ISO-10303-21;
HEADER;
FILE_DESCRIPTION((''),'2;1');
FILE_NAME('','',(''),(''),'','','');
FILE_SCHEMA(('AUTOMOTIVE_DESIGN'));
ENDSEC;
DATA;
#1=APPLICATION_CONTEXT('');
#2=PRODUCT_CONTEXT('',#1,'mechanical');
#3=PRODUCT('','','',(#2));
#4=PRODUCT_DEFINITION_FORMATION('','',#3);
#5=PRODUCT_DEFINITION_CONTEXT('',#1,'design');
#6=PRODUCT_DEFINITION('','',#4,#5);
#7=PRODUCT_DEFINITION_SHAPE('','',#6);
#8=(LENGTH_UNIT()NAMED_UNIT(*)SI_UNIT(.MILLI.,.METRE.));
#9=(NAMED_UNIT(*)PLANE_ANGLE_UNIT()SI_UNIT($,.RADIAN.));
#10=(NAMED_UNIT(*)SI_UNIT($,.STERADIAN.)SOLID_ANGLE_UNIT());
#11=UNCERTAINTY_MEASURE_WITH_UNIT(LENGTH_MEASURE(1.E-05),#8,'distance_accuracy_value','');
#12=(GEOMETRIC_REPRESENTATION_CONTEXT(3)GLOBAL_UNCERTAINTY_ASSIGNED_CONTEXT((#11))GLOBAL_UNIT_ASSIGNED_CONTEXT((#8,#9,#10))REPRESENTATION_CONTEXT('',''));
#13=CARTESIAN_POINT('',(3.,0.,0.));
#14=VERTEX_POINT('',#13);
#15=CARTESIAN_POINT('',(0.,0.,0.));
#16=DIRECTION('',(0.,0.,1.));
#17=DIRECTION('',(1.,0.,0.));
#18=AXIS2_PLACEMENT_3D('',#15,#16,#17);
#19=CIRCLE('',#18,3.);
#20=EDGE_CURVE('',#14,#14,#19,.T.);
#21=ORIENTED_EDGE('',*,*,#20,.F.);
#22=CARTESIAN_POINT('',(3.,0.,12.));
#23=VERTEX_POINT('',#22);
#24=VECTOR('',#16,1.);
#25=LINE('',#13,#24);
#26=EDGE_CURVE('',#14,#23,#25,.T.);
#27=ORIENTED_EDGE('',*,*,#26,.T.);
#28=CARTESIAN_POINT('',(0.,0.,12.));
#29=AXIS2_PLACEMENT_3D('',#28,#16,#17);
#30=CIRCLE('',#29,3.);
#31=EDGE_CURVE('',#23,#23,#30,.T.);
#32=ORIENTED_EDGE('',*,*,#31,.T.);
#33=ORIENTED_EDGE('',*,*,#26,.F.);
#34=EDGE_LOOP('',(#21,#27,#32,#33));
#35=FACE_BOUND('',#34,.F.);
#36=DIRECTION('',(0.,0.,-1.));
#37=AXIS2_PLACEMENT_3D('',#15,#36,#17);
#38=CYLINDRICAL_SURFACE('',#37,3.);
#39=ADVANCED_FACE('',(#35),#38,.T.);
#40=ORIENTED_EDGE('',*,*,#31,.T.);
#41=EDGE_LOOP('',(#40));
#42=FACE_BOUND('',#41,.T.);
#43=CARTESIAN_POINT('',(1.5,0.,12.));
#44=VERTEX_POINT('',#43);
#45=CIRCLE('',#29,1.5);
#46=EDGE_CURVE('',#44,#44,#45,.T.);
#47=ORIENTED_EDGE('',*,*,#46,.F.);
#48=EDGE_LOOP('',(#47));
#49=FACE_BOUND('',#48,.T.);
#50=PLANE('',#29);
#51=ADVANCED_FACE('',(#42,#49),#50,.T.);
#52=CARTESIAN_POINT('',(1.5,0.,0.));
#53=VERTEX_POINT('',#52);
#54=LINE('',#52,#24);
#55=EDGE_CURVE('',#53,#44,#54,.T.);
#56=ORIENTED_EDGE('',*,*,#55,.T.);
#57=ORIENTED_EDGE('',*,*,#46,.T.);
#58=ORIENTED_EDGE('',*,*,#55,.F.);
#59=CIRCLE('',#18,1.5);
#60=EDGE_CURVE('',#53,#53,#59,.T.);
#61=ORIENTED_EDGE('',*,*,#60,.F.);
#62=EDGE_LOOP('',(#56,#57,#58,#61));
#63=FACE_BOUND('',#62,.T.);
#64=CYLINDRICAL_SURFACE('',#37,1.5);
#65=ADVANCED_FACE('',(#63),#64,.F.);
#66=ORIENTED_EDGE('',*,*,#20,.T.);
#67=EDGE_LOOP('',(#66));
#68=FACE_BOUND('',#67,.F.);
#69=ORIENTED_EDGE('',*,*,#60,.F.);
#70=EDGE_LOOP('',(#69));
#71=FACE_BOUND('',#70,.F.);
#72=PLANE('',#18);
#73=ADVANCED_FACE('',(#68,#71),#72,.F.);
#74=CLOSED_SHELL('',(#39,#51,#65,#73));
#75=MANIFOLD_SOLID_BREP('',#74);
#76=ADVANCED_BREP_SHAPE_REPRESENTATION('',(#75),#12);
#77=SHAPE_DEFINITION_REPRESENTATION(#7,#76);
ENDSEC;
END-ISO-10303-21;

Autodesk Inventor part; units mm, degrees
ref_plane "YZ Plane" through (0, 0, 0) normal (1, 0, 0) x (0, 1, 0)
ref_plane "XZ Plane" through (0, 0, 0) normal (0, 1, 0) x (-1, 0, 0)
ref_plane "XY Plane" through (0, 0, 0) normal (0, 0, 1) x (1, 0, 0)
sketch "Sketch1" plane through (0, 0, 0) normal (0, 0, 1) x (1, 0, 0)
  circle A0 centre (0, 0) radius 3
  circle A1 centre (0, 0) radius 1.5
  dimension "d0" = 6
  dimension "d1" = 3
extrude "Extrusion1" add sketch "Sketch1" along normal blind 12
thread "Thread1" size "M3x0.5" class "6H" standard "ANSI Metric M Profile" full length
properties part number "Abstandsbolzen PA6.0 schwarz Ø6x12 Gewinde M3 durchgehend"
